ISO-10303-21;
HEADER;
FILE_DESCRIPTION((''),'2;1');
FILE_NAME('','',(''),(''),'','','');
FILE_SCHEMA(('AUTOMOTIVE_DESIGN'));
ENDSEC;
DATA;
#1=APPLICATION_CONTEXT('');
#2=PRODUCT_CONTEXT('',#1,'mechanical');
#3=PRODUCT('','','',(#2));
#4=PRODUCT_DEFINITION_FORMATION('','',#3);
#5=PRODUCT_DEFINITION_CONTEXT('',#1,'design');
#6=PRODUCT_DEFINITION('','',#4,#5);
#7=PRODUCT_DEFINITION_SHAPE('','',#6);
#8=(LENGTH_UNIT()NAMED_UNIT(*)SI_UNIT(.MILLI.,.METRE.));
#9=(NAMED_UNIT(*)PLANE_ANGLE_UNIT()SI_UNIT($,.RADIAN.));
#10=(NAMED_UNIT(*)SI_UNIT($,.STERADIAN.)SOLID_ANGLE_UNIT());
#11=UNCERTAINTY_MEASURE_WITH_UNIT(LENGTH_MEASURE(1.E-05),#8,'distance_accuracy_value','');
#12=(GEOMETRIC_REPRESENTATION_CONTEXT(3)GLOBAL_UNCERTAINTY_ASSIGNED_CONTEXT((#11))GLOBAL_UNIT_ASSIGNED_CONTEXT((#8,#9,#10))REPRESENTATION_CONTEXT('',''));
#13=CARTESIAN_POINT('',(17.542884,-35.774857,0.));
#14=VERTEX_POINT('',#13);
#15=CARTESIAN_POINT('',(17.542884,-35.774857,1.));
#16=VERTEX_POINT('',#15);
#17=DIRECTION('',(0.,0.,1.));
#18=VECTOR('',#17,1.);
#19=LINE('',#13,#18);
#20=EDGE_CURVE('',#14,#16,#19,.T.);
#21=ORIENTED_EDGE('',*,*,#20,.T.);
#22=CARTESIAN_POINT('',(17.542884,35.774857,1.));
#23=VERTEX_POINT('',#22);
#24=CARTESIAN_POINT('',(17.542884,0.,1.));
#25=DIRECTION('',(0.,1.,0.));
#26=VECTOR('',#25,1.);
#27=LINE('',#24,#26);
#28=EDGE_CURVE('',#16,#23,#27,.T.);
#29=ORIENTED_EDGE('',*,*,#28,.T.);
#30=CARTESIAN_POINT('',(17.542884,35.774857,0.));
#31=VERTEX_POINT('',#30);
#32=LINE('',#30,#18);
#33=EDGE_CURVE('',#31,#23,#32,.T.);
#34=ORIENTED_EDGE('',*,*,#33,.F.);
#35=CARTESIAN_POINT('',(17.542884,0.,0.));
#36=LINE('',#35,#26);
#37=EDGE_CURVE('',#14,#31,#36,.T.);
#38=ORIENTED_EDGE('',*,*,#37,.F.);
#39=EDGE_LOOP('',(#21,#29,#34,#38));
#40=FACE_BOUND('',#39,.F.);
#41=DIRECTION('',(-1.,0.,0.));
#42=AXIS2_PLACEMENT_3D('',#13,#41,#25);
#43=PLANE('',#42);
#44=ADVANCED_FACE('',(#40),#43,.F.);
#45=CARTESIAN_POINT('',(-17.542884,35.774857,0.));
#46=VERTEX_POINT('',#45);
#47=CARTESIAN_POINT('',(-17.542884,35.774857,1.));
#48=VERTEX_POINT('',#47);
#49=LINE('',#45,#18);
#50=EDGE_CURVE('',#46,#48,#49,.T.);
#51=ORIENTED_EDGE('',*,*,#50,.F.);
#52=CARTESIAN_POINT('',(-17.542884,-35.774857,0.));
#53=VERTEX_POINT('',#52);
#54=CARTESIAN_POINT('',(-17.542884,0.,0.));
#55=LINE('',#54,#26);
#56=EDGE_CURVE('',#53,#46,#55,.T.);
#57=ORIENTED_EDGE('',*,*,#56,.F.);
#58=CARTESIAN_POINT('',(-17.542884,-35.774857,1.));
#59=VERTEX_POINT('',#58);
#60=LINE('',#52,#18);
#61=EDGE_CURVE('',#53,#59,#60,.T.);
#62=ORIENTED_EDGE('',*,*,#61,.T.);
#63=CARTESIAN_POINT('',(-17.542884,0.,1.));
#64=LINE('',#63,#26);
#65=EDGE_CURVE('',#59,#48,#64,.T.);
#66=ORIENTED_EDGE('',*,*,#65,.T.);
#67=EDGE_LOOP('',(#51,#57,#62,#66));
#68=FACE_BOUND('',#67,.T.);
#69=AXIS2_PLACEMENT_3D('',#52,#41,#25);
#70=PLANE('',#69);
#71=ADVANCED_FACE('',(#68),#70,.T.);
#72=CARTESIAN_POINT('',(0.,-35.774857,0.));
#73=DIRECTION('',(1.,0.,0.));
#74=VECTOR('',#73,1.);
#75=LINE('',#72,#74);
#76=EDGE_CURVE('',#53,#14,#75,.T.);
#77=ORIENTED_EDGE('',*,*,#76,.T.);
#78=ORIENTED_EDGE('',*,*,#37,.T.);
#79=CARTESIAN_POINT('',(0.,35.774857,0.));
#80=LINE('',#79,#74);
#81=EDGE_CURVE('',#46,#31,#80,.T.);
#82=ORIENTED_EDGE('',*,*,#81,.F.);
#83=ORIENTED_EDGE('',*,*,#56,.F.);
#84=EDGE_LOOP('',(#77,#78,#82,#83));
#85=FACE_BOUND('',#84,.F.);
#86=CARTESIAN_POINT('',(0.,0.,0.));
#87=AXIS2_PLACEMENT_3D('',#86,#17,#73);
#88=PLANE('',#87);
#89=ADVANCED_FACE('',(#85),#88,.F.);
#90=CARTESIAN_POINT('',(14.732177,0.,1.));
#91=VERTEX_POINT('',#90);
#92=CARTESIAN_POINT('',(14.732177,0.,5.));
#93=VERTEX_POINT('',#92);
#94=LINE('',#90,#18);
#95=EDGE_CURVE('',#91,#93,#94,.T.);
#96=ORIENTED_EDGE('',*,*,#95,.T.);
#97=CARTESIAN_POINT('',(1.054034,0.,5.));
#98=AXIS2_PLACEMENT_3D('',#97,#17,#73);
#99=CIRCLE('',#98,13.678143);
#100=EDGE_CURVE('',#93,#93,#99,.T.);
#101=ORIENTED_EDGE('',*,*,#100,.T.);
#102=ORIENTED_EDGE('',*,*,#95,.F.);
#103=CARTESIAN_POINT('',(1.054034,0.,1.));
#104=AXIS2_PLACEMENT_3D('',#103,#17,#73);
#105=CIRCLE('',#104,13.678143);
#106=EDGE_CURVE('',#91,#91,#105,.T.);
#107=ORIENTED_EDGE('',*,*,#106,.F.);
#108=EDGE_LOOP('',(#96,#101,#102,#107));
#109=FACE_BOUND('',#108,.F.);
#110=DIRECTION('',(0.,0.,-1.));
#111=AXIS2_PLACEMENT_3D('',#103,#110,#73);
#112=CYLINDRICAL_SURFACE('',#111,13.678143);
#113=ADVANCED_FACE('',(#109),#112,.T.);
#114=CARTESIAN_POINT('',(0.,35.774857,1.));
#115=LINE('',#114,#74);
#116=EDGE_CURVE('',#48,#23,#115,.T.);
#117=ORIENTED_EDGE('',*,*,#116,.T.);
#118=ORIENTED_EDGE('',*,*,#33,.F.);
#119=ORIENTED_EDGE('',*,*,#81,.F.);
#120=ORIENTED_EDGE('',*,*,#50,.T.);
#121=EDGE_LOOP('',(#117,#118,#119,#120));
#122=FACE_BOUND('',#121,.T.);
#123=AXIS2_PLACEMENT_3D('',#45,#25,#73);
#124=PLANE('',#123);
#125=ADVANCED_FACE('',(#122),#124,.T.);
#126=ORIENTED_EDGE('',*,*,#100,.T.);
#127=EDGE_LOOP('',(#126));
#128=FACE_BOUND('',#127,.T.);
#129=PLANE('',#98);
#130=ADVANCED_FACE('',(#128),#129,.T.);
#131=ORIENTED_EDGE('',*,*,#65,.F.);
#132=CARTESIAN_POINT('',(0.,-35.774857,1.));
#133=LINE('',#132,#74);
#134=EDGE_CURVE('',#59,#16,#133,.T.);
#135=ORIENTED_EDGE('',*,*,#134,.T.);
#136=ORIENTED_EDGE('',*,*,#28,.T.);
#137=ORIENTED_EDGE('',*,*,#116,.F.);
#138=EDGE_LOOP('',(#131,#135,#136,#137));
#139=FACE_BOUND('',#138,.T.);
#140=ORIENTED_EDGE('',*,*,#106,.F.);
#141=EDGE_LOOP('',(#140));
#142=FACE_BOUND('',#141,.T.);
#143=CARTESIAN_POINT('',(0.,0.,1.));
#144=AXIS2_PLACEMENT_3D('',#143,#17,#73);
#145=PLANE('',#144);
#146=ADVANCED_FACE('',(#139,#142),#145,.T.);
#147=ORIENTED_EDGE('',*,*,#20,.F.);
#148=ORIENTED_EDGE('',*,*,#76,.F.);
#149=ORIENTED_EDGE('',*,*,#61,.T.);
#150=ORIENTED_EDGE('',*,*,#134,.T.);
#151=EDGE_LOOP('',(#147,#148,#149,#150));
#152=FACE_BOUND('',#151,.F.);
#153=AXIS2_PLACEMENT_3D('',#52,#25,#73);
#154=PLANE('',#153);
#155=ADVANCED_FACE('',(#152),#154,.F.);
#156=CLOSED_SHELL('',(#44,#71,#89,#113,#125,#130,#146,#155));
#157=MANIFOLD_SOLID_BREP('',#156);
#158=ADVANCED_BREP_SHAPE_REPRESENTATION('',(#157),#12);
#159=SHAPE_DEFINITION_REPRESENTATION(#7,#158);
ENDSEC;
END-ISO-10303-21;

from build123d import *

# Parameters (mm, degrees)
F1_W     = 35.085768
F1_H     = 71.549714
F2_DEPTH = 1
F3_R     = 13.678143
F4_DEPTH = 4


with BuildPart() as f2:
    # F1 (on face) → F2 (new body)
    with BuildSketch(Plane.XY):
        Rectangle(F1_W, F1_H)
    extrude(amount=F2_DEPTH)

    # F3 (on face) → F4 (join)
    with BuildSketch(Plane.XY.offset(1)):
        with Locations((1.054034, 0)):
            Circle(F3_R)
    extrude(amount=F4_DEPTH)


solid = f2.part
